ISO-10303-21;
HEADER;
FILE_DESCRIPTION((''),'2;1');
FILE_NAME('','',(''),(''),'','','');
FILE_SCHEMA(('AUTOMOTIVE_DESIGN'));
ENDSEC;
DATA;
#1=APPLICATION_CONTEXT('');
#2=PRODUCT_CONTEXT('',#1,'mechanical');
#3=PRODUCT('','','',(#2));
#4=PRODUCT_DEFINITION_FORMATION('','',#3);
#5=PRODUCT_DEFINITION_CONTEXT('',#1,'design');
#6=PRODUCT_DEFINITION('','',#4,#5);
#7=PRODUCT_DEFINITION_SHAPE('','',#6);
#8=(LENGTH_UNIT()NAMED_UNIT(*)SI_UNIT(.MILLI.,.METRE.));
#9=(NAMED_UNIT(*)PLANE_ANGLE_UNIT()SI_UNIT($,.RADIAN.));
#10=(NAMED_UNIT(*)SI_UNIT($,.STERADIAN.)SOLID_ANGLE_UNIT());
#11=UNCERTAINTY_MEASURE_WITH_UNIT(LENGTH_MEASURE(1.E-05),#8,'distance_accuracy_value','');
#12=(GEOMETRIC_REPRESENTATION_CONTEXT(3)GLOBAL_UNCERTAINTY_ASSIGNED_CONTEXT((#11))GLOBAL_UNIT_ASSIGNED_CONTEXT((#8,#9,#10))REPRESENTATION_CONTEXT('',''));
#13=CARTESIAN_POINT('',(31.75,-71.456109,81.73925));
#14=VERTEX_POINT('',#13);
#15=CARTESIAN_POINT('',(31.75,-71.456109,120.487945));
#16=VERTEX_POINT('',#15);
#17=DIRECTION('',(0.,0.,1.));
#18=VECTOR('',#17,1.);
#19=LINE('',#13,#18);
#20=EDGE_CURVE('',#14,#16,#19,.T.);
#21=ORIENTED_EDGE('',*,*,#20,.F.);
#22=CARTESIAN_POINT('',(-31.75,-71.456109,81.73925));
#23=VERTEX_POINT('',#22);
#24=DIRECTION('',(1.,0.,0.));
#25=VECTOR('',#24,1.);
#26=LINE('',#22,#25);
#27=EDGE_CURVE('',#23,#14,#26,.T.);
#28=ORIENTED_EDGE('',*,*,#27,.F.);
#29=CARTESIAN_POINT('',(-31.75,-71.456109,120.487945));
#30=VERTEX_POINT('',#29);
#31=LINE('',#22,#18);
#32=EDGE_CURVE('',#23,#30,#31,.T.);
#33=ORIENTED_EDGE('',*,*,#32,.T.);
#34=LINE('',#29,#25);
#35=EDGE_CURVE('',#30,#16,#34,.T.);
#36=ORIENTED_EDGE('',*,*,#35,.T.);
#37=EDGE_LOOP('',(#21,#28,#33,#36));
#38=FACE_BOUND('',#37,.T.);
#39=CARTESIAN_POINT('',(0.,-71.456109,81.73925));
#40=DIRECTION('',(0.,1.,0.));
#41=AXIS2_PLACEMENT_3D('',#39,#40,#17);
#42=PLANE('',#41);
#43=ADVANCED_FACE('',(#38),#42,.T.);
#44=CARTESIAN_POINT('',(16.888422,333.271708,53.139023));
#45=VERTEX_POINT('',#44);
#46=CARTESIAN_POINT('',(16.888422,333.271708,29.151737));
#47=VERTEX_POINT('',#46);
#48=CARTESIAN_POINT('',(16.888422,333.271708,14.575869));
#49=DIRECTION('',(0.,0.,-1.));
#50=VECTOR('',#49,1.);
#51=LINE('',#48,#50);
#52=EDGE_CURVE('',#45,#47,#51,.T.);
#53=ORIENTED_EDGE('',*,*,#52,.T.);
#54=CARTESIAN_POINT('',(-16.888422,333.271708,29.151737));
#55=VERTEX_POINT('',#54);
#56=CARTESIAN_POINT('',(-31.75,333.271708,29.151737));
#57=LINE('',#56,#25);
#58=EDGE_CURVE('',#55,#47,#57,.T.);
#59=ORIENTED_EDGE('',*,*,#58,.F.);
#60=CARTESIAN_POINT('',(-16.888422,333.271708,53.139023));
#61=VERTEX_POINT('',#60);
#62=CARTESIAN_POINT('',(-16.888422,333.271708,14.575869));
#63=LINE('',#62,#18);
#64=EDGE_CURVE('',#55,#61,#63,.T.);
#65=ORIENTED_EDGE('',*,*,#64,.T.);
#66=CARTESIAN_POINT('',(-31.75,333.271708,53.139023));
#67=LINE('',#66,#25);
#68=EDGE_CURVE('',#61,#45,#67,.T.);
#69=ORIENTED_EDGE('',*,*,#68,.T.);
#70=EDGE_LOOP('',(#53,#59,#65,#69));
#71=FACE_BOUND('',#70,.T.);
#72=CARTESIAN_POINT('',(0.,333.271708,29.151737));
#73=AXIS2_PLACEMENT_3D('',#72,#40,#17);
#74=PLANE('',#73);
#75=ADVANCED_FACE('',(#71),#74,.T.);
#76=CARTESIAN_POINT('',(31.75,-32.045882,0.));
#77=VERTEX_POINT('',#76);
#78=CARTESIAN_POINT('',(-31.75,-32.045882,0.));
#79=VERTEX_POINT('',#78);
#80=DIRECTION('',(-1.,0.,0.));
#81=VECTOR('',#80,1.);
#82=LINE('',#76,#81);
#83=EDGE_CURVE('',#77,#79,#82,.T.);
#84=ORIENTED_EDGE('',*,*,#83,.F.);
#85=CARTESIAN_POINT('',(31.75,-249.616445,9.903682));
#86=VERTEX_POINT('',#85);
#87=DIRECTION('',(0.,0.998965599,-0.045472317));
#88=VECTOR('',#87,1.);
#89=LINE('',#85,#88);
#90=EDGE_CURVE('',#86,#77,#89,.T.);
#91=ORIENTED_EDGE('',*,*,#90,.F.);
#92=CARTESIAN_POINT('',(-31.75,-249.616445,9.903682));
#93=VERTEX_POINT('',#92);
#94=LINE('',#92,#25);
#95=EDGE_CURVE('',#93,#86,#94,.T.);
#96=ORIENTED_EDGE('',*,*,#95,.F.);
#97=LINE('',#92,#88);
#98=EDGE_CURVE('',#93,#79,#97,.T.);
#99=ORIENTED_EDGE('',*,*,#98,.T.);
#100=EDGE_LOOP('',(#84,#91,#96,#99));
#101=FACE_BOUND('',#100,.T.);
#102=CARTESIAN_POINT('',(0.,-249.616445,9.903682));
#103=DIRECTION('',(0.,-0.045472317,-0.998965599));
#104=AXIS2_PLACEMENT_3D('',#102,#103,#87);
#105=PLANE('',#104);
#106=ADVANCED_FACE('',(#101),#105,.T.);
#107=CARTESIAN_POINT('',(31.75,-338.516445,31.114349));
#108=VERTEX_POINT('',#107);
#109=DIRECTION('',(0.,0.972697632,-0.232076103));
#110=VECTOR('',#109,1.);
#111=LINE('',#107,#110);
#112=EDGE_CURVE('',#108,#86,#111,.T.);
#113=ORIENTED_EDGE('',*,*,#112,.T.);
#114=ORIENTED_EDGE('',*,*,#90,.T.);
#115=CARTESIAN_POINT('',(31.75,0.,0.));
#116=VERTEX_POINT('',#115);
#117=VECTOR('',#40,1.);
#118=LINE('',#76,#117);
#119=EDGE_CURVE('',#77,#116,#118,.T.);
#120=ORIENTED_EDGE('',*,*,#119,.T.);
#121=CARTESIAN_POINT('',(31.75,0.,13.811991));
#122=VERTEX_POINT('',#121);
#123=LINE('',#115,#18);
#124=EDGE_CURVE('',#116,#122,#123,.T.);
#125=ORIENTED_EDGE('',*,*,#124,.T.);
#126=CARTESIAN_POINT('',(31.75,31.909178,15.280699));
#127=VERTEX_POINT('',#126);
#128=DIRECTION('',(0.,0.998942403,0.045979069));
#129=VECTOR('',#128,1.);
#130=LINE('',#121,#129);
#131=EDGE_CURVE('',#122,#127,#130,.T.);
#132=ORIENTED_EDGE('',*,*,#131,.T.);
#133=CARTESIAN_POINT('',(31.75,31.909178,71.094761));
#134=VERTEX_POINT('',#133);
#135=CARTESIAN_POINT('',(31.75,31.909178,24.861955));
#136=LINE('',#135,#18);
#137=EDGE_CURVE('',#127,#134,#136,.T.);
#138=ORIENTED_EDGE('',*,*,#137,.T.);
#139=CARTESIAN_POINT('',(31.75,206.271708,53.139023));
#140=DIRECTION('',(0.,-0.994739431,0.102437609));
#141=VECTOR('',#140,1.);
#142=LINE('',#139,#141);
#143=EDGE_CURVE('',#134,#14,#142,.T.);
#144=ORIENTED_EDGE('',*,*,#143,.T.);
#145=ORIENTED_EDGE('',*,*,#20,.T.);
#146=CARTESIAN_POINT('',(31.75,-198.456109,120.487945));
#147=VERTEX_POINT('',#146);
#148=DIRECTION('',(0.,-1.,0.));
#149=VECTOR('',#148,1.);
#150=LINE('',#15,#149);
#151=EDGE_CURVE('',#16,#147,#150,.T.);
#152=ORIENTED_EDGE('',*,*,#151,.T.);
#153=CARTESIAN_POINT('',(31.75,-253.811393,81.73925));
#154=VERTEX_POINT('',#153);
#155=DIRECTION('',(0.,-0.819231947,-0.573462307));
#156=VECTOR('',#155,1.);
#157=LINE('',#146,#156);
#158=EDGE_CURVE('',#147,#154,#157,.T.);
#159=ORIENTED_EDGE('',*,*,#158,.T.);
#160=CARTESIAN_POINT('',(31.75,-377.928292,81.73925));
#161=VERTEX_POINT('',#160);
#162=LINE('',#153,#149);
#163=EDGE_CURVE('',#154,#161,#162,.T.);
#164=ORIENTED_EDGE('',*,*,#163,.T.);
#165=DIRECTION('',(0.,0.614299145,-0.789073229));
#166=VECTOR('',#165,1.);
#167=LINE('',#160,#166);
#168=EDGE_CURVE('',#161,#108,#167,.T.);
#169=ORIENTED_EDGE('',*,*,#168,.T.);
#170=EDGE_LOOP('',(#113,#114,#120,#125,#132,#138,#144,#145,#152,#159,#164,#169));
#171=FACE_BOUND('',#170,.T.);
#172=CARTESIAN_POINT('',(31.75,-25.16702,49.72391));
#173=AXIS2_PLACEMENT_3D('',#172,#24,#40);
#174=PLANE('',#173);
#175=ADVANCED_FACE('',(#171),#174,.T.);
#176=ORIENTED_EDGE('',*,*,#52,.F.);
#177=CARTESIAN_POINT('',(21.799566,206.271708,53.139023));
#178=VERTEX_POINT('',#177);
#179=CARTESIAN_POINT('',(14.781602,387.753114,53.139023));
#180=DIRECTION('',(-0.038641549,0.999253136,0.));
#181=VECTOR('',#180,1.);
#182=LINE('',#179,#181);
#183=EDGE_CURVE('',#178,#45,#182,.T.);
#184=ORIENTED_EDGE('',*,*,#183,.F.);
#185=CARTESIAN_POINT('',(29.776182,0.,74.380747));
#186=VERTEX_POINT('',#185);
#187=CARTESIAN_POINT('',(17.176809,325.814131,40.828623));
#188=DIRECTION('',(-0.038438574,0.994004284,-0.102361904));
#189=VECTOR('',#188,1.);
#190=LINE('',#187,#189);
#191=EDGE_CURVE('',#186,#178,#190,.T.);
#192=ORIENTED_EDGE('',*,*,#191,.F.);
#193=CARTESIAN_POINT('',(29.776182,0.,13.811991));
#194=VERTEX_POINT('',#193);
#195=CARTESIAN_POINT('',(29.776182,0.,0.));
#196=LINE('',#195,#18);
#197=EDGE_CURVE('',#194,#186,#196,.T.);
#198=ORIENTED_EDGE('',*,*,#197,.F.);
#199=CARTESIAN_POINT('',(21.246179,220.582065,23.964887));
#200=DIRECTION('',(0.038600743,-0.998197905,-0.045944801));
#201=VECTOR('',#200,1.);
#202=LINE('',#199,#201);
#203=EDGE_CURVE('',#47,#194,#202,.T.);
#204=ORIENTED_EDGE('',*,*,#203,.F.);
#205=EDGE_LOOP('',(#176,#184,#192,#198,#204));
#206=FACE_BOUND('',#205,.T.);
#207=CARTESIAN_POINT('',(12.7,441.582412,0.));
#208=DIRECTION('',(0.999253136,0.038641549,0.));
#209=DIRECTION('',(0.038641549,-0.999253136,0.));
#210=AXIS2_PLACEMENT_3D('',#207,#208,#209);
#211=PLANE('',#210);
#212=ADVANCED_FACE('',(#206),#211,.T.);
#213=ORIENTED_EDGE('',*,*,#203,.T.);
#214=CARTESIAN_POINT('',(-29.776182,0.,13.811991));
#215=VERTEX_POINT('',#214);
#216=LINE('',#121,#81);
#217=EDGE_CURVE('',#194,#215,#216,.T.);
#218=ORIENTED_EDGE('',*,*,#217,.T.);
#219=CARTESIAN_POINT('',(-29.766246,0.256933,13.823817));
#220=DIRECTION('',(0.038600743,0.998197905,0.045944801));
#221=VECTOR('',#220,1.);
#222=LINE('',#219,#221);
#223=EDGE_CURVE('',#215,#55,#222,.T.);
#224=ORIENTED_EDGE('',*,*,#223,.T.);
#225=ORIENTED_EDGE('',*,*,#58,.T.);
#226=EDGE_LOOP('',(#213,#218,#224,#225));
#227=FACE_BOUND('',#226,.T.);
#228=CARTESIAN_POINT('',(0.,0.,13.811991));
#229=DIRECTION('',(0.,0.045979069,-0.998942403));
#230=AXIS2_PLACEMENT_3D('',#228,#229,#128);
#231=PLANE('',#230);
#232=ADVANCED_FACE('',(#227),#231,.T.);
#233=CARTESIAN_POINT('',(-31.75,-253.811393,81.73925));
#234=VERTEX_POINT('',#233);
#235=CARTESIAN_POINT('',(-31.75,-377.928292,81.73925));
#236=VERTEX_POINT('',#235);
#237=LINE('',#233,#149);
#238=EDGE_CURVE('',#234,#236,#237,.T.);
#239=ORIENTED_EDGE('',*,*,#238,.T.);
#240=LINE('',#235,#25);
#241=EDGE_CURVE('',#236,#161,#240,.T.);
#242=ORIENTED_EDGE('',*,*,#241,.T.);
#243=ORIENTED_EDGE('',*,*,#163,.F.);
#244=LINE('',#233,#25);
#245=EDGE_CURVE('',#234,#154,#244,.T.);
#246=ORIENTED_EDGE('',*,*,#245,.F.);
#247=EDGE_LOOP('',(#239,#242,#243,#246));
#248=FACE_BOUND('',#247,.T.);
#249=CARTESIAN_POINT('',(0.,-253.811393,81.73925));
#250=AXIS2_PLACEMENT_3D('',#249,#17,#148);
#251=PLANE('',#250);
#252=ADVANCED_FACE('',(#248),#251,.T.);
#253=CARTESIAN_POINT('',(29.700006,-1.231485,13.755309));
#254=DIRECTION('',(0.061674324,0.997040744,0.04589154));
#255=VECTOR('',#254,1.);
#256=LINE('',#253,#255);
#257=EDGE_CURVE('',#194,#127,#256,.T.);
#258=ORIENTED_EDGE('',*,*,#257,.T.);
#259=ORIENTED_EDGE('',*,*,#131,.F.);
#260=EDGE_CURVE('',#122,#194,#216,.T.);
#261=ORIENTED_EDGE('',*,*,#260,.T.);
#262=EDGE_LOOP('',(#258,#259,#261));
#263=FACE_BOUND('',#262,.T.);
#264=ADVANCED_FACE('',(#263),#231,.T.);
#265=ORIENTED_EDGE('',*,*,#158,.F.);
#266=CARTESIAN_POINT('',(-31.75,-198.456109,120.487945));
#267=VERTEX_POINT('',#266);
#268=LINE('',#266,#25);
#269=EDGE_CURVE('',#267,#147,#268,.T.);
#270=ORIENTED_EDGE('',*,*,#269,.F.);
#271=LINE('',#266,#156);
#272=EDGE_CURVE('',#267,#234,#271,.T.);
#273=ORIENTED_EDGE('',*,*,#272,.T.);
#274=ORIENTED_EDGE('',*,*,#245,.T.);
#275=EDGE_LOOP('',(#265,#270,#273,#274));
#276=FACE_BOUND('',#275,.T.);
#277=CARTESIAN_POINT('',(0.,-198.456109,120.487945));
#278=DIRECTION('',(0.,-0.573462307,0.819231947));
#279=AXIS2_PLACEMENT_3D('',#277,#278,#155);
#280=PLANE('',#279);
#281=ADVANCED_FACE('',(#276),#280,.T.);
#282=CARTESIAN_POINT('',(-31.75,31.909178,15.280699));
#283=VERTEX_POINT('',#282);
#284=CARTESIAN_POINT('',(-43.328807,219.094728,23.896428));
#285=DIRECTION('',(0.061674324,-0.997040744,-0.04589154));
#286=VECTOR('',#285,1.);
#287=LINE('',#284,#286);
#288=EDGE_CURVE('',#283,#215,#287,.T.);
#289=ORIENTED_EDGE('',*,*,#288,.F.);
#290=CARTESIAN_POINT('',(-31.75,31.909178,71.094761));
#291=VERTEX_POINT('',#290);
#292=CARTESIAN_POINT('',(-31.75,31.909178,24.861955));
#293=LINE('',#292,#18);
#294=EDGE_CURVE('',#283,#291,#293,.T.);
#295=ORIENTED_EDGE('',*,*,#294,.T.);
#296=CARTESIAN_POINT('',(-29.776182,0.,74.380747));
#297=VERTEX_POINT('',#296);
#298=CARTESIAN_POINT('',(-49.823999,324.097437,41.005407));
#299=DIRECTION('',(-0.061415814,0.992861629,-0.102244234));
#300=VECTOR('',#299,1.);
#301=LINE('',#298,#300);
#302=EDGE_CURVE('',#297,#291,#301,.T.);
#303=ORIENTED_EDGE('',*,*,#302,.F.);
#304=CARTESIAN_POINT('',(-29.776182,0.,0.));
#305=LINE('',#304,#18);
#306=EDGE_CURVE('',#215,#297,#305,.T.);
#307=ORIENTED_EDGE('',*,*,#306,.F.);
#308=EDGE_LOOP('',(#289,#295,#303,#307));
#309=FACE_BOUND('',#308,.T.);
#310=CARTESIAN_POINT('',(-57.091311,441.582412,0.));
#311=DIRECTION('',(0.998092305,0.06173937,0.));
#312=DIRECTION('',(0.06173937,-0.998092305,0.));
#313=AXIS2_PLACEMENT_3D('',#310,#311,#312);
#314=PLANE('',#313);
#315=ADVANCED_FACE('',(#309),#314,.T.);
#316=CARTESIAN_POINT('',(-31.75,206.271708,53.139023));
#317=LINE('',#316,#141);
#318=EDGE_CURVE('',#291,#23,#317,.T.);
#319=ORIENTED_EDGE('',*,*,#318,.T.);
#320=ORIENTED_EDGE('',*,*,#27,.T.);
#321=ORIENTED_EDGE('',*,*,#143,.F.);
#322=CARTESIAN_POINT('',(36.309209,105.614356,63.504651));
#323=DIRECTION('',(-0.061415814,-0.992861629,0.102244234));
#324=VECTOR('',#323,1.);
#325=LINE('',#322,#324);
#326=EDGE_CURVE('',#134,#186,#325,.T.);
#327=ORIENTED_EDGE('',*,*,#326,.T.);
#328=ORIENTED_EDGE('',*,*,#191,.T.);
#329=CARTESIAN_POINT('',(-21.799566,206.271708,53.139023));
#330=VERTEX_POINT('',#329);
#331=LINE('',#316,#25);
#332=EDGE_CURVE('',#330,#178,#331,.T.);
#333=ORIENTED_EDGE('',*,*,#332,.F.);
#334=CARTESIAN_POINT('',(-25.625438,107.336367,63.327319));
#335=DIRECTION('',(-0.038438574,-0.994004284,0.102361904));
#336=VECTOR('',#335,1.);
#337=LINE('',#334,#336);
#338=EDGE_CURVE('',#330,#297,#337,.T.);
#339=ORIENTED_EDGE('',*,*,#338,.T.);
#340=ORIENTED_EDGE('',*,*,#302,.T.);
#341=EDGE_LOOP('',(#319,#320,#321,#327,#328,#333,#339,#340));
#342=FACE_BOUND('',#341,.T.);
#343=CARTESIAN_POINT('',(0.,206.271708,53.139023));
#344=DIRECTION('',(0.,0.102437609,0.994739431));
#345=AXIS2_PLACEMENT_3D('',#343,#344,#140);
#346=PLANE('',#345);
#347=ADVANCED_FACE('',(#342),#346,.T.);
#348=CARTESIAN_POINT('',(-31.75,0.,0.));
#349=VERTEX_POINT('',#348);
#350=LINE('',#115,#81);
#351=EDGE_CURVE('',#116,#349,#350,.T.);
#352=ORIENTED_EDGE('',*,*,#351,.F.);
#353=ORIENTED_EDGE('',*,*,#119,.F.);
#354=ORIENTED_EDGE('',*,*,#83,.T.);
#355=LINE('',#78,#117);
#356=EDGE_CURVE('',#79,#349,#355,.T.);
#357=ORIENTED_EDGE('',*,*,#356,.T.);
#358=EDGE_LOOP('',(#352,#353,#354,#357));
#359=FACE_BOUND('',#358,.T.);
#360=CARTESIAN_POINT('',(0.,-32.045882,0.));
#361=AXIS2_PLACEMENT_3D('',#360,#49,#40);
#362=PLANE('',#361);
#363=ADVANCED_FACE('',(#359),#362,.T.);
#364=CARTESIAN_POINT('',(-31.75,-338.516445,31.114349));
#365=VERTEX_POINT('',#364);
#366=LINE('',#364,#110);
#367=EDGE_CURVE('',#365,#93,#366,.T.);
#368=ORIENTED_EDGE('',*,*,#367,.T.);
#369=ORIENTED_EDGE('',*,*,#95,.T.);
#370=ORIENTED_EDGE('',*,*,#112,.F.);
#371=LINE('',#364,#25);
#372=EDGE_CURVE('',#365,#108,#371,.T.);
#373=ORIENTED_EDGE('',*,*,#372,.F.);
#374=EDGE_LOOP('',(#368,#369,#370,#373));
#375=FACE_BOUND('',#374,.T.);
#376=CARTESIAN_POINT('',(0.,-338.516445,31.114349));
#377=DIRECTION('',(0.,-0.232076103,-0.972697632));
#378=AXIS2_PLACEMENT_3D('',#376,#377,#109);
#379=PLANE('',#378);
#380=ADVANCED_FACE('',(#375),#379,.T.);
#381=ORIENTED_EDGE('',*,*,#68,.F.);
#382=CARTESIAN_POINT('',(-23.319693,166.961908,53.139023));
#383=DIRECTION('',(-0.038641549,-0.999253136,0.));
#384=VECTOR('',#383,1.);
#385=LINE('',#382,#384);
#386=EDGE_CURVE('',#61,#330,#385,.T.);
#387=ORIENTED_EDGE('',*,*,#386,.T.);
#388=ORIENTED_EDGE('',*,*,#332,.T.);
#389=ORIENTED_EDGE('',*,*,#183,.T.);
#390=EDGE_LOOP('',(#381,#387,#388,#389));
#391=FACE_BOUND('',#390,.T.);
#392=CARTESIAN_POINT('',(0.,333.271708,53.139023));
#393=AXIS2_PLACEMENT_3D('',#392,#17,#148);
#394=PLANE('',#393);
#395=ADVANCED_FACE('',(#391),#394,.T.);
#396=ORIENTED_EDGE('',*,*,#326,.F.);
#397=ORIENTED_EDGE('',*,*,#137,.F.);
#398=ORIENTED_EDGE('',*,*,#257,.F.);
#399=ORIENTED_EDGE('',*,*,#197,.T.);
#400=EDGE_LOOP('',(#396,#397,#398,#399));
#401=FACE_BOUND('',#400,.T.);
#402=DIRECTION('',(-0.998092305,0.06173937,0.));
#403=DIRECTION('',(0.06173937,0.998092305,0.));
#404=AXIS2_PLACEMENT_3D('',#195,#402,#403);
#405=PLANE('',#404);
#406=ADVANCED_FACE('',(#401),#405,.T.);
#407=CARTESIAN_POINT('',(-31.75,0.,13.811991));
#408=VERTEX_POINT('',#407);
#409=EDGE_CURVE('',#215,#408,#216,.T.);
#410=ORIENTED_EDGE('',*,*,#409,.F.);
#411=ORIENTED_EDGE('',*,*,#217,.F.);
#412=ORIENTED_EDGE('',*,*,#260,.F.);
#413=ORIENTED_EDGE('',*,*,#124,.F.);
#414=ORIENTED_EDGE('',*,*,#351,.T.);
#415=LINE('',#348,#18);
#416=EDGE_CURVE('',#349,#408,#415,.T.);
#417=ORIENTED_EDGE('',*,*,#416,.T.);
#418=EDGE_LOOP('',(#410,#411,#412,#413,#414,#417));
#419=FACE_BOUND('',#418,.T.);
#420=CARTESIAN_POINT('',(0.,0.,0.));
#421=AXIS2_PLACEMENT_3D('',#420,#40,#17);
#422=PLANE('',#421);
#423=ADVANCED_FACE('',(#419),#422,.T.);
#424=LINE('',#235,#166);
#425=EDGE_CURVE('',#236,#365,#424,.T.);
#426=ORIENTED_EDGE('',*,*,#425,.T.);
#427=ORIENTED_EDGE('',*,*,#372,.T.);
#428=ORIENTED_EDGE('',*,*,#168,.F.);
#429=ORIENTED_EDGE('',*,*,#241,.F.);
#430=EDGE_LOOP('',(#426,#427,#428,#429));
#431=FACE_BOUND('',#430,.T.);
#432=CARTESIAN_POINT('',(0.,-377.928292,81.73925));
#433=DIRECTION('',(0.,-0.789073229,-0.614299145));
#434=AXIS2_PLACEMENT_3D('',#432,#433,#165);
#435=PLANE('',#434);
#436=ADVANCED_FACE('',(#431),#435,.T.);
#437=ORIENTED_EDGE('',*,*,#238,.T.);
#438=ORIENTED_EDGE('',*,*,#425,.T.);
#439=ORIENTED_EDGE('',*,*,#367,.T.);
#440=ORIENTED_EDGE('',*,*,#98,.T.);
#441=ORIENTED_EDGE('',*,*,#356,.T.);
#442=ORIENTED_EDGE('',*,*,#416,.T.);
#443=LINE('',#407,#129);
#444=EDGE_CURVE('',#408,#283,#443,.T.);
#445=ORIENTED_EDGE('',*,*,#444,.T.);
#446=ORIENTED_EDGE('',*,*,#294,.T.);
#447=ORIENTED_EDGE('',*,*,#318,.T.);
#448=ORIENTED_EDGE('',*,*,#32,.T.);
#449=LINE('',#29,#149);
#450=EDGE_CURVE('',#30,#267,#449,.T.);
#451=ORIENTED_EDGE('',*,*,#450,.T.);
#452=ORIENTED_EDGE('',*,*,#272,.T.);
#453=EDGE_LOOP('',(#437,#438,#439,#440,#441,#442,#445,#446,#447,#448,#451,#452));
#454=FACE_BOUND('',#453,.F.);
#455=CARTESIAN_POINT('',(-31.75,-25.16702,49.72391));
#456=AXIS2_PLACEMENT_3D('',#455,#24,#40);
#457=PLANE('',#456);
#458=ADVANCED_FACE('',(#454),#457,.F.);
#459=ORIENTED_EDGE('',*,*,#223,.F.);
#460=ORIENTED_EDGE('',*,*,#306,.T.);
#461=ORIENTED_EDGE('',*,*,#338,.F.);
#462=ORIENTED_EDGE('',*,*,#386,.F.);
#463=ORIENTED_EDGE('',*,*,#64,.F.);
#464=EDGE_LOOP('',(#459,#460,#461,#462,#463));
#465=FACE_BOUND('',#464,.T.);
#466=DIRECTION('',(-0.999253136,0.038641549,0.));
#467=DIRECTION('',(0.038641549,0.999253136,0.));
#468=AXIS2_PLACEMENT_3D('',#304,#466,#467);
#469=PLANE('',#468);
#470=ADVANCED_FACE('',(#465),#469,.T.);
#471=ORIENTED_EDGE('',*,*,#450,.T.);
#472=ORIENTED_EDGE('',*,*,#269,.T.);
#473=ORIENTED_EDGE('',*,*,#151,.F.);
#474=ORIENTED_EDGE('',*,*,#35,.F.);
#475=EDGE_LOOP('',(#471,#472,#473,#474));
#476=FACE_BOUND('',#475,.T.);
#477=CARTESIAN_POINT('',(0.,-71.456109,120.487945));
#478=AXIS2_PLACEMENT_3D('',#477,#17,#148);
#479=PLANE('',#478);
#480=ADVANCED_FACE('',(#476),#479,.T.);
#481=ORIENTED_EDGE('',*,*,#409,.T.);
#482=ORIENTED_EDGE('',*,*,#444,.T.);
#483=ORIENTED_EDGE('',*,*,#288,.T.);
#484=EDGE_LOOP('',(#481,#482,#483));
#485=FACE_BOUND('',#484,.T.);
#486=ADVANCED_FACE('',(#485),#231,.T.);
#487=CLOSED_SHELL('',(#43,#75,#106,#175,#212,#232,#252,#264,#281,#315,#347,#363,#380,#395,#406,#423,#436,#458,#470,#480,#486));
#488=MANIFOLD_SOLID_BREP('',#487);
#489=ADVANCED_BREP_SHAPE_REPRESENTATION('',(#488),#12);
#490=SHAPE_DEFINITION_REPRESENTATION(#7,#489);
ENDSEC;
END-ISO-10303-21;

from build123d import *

# Parameters (mm, degrees)
F1_DEPTH = 31.75
F3_DEPTH = 101.6


with BuildPart() as f1:
    # F0 (on Right) → F1 (new body, symmetric)
    with BuildSketch(Plane.YZ):
        Polygon((0, 13.811991), (333.271708, 29.151737), (333.271708, 53.139023), (206.271708, 53.139023), (-71.456109, 81.73925), (-71.456109, 120.487945), (-198.456109, 120.487945), (-253.811393, 81.73925), (-377.928292, 81.73925), (-338.516445, 31.114349), (-249.616445, 9.903682), (-32.045882, 0), (0, 0), align=None)
    extrude(amount=F1_DEPTH, both=True)

    # F2 (on Top) → F3 (cut)
    with BuildSketch(Plane.XY):
        Polygon((-57.091311, 441.582412), (-29.776182, 0), (-12.7, 441.582412), align=None)
        Polygon((12.7, 441.582412), (29.776182, 0), (57.091311, 441.582412), align=None)
    extrude(amount=F3_DEPTH, mode=Mode.SUBTRACT)


solid = f1.part
